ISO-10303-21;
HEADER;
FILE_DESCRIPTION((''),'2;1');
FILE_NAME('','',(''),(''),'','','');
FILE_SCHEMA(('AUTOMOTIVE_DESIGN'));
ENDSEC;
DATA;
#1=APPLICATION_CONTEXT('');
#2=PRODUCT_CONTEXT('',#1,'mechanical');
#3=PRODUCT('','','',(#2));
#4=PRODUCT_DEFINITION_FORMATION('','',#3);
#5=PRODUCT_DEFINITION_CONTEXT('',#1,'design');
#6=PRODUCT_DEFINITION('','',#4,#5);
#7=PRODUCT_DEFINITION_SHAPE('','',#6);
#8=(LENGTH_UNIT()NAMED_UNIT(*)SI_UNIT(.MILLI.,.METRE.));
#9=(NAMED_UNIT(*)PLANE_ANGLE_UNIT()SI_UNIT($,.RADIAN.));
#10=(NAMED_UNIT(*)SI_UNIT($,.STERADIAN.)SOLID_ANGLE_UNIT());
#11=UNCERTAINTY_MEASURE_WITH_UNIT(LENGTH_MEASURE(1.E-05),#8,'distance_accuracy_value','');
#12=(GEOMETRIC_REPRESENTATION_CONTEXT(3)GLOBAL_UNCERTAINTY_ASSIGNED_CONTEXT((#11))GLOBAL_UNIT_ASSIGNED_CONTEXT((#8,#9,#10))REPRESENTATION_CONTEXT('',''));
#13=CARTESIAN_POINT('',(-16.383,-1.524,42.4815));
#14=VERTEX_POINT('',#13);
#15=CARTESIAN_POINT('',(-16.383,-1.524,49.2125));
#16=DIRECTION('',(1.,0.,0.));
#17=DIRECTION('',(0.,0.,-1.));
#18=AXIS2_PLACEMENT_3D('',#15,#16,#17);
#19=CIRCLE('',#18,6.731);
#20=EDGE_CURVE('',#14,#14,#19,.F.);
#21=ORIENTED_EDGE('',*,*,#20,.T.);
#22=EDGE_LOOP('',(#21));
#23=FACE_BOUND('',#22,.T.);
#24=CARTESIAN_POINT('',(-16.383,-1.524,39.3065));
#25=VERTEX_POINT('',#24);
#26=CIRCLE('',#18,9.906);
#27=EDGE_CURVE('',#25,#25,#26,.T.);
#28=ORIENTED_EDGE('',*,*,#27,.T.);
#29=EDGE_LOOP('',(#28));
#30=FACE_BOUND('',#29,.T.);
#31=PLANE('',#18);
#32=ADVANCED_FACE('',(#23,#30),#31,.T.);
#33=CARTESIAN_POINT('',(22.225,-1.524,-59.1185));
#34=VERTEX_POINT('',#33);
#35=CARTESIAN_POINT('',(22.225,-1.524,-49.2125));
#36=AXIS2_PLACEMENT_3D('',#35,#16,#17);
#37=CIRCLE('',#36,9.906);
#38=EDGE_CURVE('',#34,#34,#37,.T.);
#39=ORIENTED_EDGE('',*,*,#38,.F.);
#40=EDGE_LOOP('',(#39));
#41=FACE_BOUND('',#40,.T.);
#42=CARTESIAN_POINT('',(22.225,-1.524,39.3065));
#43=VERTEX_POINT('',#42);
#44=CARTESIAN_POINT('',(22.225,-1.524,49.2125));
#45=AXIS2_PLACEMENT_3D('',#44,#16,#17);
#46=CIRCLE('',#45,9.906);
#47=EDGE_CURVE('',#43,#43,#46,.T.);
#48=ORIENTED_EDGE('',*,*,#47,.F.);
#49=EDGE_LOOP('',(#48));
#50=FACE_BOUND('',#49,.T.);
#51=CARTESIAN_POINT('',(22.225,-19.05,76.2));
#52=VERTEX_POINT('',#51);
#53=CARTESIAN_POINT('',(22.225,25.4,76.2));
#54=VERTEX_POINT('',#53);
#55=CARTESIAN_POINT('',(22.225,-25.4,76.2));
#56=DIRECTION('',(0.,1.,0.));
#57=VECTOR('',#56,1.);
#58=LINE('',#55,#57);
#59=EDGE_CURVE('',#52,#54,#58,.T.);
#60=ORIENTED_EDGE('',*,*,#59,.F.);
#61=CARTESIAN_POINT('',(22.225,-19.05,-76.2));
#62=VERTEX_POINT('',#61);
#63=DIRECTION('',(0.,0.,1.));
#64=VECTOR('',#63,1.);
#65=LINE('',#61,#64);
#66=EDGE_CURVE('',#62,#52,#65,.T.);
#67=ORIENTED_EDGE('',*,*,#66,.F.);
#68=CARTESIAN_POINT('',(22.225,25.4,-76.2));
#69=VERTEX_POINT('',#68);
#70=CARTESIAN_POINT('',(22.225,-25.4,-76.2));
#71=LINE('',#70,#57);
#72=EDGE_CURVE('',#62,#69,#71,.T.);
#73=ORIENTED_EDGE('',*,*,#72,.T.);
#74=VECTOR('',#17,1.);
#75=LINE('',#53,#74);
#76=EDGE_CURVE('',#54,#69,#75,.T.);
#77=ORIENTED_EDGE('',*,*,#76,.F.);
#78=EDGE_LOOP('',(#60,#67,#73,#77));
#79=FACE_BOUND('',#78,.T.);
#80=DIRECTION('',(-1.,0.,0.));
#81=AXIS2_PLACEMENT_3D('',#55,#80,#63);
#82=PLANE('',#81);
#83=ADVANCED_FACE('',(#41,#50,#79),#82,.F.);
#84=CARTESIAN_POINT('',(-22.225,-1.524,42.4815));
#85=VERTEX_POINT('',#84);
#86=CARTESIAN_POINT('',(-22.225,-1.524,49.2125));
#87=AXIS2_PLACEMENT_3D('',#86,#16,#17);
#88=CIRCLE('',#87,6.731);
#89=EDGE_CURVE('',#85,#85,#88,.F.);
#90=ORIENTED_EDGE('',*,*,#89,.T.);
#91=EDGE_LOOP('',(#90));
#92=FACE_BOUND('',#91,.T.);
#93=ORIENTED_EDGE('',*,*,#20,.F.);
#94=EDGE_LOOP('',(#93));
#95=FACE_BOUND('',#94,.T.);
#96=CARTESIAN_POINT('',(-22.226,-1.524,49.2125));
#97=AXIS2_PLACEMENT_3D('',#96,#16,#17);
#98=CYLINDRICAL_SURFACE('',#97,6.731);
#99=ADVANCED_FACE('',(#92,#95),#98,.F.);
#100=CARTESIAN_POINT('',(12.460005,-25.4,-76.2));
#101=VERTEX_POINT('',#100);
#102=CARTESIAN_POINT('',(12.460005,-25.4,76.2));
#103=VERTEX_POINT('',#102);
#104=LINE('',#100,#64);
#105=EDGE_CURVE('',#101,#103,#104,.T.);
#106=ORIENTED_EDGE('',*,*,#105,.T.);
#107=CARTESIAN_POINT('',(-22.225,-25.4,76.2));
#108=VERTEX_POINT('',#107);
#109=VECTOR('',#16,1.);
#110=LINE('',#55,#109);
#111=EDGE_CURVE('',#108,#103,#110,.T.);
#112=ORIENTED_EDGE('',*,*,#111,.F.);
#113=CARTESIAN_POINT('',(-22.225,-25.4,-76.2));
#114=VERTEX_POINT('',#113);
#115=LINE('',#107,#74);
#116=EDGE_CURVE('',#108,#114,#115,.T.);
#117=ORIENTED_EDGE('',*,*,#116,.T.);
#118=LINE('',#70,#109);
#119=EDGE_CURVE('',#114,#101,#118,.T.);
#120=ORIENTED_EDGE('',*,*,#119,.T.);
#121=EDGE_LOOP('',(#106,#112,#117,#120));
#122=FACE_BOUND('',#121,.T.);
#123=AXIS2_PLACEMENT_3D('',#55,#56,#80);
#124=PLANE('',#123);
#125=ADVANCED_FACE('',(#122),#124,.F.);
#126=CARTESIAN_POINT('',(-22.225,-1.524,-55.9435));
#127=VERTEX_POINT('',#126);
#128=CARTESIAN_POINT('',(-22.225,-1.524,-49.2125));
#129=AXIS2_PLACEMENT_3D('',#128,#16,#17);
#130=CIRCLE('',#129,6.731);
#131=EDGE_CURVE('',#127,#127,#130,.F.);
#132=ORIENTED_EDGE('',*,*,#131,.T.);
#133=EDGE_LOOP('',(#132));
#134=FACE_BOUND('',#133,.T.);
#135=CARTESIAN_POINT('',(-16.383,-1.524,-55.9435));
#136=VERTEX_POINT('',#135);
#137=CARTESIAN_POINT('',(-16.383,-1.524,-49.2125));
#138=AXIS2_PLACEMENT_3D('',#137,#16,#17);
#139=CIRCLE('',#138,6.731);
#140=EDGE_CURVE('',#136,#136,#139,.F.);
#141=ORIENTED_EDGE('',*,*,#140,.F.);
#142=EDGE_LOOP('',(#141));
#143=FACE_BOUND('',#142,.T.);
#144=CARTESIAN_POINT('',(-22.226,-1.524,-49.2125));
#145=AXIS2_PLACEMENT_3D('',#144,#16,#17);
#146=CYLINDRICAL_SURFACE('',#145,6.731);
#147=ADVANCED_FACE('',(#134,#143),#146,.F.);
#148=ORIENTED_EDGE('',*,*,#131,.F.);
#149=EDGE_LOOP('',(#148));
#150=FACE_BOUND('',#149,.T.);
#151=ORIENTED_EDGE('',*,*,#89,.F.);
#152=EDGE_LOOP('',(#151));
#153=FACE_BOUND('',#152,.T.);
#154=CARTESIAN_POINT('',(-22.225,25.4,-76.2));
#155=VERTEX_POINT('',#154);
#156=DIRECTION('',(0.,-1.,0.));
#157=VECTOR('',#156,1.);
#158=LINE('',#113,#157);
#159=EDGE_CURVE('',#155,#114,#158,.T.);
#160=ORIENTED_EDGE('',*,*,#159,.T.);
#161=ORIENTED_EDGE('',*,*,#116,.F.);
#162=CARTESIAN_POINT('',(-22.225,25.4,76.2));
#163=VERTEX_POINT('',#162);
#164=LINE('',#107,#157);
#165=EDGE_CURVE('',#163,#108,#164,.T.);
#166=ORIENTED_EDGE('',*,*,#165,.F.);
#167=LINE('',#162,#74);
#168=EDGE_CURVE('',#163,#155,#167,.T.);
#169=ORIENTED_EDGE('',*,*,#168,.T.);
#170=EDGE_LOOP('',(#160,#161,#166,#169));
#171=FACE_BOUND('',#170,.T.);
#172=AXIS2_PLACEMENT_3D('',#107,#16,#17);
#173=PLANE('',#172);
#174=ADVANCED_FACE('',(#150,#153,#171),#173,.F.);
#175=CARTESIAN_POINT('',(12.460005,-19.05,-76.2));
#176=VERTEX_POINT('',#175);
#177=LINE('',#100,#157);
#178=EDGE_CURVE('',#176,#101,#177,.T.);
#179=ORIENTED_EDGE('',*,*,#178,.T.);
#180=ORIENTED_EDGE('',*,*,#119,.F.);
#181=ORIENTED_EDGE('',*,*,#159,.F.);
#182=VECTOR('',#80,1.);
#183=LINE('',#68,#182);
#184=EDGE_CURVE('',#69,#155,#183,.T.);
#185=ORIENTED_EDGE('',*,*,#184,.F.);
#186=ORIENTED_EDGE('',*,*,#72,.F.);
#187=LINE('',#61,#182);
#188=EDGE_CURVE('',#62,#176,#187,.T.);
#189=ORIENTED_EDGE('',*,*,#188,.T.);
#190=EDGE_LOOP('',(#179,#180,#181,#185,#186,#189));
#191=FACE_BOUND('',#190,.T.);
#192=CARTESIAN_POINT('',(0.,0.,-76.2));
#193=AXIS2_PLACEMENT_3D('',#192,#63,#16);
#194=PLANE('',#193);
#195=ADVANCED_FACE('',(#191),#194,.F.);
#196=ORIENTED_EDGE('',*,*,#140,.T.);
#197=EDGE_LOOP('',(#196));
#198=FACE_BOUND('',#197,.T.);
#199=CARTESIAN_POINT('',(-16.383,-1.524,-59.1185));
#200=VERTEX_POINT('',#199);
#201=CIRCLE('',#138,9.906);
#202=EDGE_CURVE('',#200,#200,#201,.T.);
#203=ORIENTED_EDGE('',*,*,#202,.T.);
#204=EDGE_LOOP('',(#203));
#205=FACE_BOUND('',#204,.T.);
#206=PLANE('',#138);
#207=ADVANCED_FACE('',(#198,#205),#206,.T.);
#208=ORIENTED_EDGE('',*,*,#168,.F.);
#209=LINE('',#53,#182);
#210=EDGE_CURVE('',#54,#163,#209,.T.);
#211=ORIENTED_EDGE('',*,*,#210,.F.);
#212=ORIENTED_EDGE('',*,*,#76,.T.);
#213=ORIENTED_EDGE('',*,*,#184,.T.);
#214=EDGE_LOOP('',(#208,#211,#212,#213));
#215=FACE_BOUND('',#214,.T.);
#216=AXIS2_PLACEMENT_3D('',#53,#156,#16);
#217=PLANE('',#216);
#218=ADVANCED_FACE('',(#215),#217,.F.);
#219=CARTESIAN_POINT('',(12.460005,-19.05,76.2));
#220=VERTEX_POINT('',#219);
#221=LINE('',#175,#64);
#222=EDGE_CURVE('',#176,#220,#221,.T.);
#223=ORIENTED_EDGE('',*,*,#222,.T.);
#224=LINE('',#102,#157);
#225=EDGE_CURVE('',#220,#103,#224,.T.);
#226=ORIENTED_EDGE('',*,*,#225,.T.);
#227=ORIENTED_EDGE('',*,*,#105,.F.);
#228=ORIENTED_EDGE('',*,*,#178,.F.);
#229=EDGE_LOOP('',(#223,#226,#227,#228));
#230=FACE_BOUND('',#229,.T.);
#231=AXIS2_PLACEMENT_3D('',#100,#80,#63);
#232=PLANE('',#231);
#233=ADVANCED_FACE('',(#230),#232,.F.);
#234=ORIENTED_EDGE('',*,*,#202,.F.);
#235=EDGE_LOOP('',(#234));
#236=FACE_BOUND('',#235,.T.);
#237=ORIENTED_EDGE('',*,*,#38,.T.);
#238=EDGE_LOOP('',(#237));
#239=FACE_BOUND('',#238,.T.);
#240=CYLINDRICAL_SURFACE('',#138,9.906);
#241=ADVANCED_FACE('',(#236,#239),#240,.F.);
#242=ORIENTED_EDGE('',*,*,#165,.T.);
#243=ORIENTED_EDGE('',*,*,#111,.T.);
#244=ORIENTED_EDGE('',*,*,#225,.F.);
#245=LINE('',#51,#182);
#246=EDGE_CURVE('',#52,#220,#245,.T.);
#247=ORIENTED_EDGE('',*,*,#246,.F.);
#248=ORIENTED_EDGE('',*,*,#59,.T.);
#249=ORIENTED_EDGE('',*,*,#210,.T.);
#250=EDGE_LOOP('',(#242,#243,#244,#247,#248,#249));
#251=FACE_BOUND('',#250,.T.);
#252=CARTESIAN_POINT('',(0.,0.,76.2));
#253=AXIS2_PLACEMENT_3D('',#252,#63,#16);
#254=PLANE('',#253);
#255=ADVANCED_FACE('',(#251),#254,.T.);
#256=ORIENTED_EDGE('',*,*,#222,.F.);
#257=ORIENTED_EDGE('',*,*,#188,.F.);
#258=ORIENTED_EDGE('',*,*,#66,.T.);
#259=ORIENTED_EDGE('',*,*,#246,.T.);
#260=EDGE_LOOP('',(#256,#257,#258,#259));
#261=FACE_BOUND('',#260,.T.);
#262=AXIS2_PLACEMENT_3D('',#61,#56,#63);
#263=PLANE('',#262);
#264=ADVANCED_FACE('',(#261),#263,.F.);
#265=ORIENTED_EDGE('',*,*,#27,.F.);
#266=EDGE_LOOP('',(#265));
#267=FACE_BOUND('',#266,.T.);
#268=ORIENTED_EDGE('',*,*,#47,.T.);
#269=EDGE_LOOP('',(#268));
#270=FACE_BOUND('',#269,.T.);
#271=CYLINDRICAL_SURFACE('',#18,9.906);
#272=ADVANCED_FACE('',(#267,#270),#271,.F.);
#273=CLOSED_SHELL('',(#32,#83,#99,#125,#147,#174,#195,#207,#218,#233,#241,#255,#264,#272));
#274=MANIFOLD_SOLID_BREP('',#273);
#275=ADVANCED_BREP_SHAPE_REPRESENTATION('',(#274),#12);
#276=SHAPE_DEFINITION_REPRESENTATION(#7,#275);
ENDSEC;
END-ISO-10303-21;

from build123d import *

# Parameters (mm, degrees)
SKETCH1_W           = 44.45
SKETCH1_H           = 50.8
BOSS_EXTRUDE1_DEPTH = 76.2
CUT_EXTRUDE1_REACH  = 93.801
SKETCH2_R           = 6.731
SKETCH3_R           = 9.906
CUT_EXTRUDE2_DEPTH  = 38.608
SKETCH4_W           = 9.764994968
SKETCH4_H           = 6.35
CUT_EXTRUDE4_DEPTH  = 157.092506627


with BuildPart() as part:
    # Sketch1 → Boss-Extrude1 (new, symmetric)
    with BuildSketch(Plane.XY):
        Rectangle(SKETCH1_W, SKETCH1_H)
    extrude(amount=BOSS_EXTRUDE1_DEPTH, both=True)

    # Sketch2 → Cut-Extrude1 (cut, up to next)
    with BuildSketch(Plane(origin=(22.225, 0, 0), x_dir=(0, 0, -1), z_dir=(1, 0, 0)), mode=Mode.PRIVATE) as cut_extrude1_sk1:
        with Locations((-49.2125, -1.524)):
            Circle(SKETCH2_R)
    cut_extrude1_tool1 = extrude(cut_extrude1_sk1.sketch, amount=-CUT_EXTRUDE1_REACH, mode=Mode.PRIVATE) & part.part
    # Sketch2 → Cut-Extrude1 (cut, up to next)
    with BuildSketch(Plane(origin=(22.225, 0, 0), x_dir=(0, 0, -1), z_dir=(1, 0, 0)), mode=Mode.PRIVATE) as cut_extrude1_sk2:
        with Locations((49.2125, -1.524)):
            Circle(SKETCH2_R)
    cut_extrude1_tool2 = extrude(cut_extrude1_sk2.sketch, amount=-CUT_EXTRUDE1_REACH, mode=Mode.PRIVATE) & part.part
    add(cut_extrude1_tool1.solids().sort_by_distance((22.225, -1.524, 49.2125))[0], mode=Mode.SUBTRACT)
    add(cut_extrude1_tool2.solids().sort_by_distance((22.225, -1.524, -49.2125))[0], mode=Mode.SUBTRACT)

    # Sketch3 → Cut-Extrude2 (cut)
    with BuildSketch(Plane(origin=(22.225, 0, 0), x_dir=(0, 0, -1), z_dir=(1, 0, 0))):
        with Locations((-49.2125, -1.524)):
            Circle(SKETCH3_R)
        with Locations((49.2125, -1.524)):
            Circle(SKETCH3_R)
    extrude(amount=-CUT_EXTRUDE2_DEPTH, mode=Mode.SUBTRACT)

    # Sketch4 → Cut-Extrude4 (cut, through all)
    with BuildSketch(Plane.XY.offset(76.2)):
        with Locations((17.342502516, -22.225)):
            Rectangle(SKETCH4_W, SKETCH4_H)
    extrude(amount=-CUT_EXTRUDE4_DEPTH, mode=Mode.SUBTRACT)


solid = part.part
